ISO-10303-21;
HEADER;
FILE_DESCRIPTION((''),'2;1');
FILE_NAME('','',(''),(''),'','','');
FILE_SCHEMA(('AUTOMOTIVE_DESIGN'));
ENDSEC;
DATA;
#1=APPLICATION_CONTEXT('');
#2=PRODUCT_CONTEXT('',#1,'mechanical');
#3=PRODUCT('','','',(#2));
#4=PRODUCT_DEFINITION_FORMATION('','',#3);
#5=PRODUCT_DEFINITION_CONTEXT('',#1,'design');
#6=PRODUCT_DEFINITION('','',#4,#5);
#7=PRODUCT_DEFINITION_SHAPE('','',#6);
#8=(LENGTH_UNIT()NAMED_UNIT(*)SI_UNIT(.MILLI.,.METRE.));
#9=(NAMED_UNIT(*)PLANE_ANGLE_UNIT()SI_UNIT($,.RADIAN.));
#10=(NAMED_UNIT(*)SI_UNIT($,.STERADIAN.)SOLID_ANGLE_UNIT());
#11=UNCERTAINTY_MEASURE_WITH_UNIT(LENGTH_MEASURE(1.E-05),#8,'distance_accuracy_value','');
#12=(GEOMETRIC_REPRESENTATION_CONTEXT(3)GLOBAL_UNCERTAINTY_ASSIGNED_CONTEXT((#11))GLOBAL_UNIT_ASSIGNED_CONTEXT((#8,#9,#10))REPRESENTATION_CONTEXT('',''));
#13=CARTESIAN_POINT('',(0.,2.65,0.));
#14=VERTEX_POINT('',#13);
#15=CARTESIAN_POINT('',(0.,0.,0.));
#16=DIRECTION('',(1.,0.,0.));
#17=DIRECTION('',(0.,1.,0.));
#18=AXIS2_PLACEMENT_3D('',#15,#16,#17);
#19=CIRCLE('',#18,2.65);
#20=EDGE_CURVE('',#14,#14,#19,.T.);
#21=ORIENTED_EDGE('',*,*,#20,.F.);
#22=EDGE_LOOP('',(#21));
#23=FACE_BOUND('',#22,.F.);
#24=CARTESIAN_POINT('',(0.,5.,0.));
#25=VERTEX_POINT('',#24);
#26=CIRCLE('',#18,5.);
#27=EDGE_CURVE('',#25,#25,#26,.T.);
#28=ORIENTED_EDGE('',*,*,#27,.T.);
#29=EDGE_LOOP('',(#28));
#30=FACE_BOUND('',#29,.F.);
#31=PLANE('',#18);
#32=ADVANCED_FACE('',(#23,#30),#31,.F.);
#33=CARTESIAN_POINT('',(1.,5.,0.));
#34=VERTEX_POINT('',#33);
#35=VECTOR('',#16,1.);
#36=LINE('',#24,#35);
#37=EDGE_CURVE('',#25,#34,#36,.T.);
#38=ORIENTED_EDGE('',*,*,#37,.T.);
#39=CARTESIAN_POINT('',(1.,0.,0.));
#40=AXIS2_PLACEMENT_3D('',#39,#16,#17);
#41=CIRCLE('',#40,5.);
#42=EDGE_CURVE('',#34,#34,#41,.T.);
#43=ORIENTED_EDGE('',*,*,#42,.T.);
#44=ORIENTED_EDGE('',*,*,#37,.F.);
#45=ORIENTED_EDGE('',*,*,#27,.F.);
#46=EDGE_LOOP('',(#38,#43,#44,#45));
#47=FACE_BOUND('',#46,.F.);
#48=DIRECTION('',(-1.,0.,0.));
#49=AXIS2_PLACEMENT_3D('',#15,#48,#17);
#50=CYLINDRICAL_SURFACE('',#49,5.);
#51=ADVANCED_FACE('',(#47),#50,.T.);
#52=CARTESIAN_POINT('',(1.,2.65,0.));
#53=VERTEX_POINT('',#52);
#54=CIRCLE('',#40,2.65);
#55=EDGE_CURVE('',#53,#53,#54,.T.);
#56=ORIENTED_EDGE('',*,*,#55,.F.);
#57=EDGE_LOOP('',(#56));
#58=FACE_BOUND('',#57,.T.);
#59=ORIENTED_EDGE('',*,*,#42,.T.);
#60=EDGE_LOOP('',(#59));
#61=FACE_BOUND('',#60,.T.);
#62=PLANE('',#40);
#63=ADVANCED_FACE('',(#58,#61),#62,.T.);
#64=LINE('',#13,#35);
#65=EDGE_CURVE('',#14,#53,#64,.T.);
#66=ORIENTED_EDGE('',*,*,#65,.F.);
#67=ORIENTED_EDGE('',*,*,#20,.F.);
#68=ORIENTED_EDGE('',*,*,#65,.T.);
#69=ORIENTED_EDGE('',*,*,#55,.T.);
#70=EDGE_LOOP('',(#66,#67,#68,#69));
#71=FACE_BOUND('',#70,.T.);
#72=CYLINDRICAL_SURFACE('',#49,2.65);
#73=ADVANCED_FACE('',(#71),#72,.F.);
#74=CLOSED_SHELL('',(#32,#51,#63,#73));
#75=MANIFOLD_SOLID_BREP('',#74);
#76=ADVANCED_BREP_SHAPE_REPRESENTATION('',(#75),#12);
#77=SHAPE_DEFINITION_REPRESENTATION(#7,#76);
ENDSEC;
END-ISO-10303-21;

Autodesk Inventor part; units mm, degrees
ref_plane "YZ Plane" through (0, 0, 0) normal (1, 0, 0) x (0, 1, 0)
ref_plane "XZ Plane" through (0, 0, 0) normal (0, 1, 0) x (-1, 0, 0)
sketch "Sketch" plane through (0, 0, 0) normal (1, 0, 0) x (0, 1, 0)
  circle A0 centre (0, 0) radius 5
  circle A1 centre (0, 0) radius 2.65
  dimension "d0" = 5.3
  dimension "d1" = 10
extrude "Body" add sketch "Sketch" along normal blind 1
ref_plane "Work Plane1" through (0, 0, 0) normal (0, 0, 1) x (1, 0, 0)
equation "\"d0\" = SD1"
equation "\"d1\" = SD2"
equation "\"d2\" = SD"
equation "\"SD1\" = 5.3"
equation "\"SD2\" = 10"
equation "\"SD\" = 1"
equation "\"NND\" = 5"
properties part number "DIN 125 - A 5,3" material "Steel, Mild"
